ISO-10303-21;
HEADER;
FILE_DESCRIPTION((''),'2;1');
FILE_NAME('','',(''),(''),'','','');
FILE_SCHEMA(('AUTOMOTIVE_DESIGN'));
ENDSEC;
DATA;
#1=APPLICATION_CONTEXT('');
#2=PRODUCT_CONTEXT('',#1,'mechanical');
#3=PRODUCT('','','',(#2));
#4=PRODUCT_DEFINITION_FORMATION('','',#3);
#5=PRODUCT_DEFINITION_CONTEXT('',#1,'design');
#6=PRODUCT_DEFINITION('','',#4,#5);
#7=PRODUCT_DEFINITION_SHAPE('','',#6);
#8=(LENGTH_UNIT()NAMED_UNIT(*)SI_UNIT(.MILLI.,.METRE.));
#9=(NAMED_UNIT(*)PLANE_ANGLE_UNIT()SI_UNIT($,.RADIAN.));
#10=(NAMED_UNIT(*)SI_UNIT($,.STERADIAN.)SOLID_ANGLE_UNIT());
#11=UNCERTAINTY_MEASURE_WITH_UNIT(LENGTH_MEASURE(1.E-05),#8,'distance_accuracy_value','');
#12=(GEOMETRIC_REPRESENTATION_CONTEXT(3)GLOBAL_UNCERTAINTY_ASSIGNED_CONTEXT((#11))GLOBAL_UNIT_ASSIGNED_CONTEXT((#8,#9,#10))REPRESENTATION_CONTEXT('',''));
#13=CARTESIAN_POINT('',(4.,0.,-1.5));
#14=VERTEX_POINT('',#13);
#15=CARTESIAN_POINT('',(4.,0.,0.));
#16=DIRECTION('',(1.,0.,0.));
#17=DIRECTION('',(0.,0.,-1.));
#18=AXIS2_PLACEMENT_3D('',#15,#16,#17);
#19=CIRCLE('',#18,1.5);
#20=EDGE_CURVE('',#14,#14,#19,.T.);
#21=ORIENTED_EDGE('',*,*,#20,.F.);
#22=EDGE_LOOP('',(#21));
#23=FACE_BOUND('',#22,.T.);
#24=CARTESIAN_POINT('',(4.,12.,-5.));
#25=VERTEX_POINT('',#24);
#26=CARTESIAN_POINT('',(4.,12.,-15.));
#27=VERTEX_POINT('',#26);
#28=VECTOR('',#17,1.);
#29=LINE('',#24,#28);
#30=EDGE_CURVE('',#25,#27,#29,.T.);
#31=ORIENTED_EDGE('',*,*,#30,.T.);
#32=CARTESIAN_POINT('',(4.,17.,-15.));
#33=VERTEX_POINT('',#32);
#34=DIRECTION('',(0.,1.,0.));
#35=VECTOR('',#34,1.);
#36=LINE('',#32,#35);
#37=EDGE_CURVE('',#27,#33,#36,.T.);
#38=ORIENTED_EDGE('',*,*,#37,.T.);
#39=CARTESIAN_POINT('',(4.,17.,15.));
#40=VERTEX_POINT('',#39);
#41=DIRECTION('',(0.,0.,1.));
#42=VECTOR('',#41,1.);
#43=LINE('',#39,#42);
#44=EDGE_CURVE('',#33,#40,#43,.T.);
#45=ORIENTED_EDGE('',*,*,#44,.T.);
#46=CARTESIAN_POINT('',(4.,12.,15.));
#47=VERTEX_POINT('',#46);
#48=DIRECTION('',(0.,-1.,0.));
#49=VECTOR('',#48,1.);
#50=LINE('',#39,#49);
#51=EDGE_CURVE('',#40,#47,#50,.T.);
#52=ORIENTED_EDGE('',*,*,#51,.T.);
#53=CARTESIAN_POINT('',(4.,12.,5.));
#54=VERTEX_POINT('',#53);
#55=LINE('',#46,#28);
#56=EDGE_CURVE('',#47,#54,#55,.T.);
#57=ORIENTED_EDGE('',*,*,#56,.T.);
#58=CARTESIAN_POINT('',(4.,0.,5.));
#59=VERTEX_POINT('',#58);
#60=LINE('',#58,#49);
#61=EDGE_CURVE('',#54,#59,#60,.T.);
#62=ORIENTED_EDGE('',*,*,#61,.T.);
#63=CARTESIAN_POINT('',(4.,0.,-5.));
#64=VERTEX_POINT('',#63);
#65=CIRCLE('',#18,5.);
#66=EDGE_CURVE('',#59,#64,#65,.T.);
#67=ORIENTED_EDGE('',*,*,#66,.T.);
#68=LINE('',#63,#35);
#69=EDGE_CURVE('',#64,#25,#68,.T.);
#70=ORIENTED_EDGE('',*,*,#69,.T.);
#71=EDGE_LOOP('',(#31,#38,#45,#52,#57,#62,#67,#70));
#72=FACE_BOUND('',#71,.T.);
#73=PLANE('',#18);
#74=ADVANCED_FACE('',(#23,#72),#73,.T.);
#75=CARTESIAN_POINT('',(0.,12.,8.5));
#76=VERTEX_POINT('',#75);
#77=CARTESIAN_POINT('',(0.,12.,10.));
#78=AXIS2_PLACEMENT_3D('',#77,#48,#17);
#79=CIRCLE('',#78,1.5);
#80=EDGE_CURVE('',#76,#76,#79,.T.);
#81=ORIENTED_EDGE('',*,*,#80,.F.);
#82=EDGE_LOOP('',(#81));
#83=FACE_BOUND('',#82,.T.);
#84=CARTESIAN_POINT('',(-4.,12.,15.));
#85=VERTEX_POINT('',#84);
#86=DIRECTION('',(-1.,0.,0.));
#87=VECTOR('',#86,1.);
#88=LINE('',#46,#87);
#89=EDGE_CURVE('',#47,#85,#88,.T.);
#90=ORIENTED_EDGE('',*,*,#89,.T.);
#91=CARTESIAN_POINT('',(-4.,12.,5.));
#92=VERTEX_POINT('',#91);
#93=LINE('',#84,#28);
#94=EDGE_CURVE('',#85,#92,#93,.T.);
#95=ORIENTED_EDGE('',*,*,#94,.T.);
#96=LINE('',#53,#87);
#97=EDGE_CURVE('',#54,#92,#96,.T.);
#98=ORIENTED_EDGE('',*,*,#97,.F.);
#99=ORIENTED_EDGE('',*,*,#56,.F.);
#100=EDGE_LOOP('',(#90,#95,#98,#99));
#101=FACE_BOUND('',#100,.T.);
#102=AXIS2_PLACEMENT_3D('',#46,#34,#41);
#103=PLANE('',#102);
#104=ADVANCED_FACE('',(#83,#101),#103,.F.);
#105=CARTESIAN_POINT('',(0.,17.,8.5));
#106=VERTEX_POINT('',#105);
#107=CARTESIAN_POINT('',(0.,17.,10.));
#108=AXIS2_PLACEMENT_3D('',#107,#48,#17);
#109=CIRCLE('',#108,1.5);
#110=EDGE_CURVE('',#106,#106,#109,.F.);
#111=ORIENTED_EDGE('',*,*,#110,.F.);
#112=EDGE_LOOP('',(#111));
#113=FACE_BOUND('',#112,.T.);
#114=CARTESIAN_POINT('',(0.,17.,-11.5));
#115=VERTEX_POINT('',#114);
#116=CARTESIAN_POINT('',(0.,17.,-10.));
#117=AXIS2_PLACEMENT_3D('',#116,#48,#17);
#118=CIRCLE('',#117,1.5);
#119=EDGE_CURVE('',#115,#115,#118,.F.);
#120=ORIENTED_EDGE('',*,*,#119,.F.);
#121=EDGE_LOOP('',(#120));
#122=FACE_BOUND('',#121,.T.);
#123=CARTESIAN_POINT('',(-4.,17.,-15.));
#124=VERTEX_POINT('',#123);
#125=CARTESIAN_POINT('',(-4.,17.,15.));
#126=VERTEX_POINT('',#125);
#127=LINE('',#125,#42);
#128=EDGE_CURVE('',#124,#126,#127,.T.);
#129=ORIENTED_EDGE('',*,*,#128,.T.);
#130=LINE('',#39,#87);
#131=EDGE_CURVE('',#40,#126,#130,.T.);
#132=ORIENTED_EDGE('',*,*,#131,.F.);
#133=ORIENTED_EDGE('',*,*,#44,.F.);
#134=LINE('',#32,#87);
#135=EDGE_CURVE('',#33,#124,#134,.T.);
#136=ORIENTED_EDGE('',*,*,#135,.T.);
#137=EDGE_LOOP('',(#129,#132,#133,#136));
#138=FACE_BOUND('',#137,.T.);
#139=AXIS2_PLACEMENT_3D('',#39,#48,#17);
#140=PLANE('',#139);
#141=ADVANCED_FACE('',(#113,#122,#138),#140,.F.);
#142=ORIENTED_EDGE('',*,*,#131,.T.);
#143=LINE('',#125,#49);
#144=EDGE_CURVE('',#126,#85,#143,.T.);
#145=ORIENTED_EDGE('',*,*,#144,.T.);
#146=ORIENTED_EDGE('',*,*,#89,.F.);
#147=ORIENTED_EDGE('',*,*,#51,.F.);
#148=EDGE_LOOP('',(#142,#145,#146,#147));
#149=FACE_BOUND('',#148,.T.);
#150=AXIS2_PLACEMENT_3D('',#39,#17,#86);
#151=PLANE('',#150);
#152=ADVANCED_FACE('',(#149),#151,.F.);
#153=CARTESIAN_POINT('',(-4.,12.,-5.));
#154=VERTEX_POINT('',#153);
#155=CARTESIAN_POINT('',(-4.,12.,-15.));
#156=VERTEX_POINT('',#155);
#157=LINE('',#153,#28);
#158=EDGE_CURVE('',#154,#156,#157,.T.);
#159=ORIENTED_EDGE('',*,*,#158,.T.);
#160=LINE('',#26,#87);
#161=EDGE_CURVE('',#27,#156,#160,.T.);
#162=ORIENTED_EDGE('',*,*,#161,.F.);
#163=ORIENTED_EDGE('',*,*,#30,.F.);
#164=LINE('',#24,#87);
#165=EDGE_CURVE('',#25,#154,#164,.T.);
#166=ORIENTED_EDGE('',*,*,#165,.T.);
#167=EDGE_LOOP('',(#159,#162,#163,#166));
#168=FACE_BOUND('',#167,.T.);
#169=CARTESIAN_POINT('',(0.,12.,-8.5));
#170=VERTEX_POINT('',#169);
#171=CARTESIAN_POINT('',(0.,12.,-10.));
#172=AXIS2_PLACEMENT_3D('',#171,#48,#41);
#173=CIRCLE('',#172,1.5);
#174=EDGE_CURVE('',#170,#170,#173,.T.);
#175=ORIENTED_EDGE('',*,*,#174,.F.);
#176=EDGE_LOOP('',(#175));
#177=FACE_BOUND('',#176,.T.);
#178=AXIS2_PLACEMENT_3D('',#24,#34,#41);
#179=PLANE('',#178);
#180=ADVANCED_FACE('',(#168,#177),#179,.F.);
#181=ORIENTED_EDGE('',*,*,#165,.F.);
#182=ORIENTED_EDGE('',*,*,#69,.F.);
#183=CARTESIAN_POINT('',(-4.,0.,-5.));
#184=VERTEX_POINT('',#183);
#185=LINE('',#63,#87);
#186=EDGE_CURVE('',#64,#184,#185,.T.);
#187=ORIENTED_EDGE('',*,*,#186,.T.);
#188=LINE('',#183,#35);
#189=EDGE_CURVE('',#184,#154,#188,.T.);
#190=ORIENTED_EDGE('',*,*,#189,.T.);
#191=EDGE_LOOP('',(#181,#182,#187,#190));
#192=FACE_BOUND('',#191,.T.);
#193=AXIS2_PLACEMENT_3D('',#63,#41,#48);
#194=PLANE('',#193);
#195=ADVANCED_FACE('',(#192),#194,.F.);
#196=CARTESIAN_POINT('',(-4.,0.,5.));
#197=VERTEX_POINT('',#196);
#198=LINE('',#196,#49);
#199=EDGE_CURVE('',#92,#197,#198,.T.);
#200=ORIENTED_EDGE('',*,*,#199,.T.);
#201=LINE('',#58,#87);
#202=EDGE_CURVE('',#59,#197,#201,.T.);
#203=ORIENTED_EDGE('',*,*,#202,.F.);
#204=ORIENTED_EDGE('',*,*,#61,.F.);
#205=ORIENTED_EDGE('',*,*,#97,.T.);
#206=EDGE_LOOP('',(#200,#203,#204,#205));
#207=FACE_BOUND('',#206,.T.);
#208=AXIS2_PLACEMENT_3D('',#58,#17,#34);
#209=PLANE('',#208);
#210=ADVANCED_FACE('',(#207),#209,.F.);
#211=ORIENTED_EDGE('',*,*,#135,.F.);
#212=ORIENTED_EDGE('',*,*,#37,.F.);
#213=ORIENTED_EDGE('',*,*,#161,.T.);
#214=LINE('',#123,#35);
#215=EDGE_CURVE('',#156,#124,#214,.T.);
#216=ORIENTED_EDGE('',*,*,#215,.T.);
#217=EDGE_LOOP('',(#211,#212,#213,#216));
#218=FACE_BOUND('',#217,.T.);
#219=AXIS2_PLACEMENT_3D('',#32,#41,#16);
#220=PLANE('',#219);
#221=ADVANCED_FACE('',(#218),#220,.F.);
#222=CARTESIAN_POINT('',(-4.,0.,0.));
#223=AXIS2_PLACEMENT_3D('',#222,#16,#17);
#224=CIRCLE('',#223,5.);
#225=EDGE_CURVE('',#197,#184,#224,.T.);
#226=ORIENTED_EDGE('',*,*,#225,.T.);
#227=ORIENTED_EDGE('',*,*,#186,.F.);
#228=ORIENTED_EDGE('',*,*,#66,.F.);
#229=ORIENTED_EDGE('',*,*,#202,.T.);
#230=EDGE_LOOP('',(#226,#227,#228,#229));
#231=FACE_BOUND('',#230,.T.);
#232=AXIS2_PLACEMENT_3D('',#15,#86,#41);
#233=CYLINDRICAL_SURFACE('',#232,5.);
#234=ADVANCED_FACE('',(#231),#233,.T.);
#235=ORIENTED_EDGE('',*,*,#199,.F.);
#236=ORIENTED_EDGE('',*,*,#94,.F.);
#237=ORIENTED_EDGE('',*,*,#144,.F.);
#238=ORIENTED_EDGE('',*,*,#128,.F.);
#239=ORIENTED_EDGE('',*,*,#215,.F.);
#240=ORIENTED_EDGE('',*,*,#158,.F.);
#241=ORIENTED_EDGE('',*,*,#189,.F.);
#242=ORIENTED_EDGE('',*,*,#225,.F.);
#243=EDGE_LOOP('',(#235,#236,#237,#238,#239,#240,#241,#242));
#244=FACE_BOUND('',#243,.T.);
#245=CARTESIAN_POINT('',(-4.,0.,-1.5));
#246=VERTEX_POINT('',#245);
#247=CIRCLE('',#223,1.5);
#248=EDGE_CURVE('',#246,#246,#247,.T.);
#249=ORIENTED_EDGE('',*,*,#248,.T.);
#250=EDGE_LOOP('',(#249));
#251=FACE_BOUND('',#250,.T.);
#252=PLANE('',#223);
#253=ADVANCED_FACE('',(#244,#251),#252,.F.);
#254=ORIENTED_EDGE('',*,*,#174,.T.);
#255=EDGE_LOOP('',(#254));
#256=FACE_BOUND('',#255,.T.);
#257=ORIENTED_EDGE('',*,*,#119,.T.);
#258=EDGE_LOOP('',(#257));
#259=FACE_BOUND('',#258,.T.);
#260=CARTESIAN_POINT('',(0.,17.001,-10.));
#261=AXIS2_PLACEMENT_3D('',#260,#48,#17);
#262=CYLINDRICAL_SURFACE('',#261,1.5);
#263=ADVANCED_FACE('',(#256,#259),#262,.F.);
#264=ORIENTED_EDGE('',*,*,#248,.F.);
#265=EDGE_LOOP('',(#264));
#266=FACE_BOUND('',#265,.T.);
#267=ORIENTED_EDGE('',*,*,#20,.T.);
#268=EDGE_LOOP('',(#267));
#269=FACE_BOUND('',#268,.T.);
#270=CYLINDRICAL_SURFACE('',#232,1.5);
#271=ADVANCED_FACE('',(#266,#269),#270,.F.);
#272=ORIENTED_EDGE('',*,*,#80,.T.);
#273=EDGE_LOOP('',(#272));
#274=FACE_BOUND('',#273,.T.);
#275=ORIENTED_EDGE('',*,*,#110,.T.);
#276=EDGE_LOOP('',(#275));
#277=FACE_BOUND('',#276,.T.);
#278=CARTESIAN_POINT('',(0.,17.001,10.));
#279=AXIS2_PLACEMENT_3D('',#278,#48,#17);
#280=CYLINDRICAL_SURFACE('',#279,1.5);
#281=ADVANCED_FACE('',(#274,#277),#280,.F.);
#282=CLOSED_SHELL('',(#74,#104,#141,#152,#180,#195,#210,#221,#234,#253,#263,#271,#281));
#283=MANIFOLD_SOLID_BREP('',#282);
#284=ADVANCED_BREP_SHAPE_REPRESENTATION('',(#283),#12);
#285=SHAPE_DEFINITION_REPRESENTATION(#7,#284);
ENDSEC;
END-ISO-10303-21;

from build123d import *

# Parameters (mm, degrees)
SKETCH_1_R          = 1.5
EXTRUDE_1_DEPTH     = 4
CUT_EXTRUDE_1_REACH = 25.022
SKETCH_2_R          = 1.5


with BuildPart() as part:
    # 草图1 → 凸台-拉伸1 (new, symmetric)
    with BuildSketch(Plane(origin=(0, 0, 0), x_dir=(0, 0, -1), z_dir=(1, 0, 0))):
        with BuildLine():
            Line((5, 12), (15, 12))
            Line((15, 12), (15, 17))
            Line((15, 17), (-15, 17))
            Line((-15, 17), (-15, 12))
            Line((-15, 12), (-5, 12))
            Line((-5, 12), (-5, 0))
            ThreePointArc((-5, 0), (0, -5), (5, 0))
            Line((5, 0), (5, 12))
        make_face()
        Circle(SKETCH_1_R, mode=Mode.SUBTRACT)
    extrude(amount=EXTRUDE_1_DEPTH, both=True)

    # 草图2 → 切除-拉伸1 (cut, up to next)
    with BuildSketch(Plane.XZ.offset(-12), mode=Mode.PRIVATE) as cut_extrude_1_sk1:
        with Locations(Location((0, 10, 0), (0, 0, 270))):
            Circle(SKETCH_2_R)
    cut_extrude_1_tool1 = extrude(cut_extrude_1_sk1.sketch, amount=-CUT_EXTRUDE_1_REACH, mode=Mode.PRIVATE) & part.part
    # 草图2 → 切除-拉伸1 (cut, up to next)
    with BuildSketch(Plane.XZ.offset(-12), mode=Mode.PRIVATE) as cut_extrude_1_sk2:
        with Locations(Location((0, -10, 0), (0, 0, 270))):
            Circle(SKETCH_2_R)
    cut_extrude_1_tool2 = extrude(cut_extrude_1_sk2.sketch, amount=-CUT_EXTRUDE_1_REACH, mode=Mode.PRIVATE) & part.part
    add(cut_extrude_1_tool1.solids().sort_by_distance((0, 12, 10))[0], mode=Mode.SUBTRACT)
    add(cut_extrude_1_tool2.solids().sort_by_distance((0, 12, -10))[0], mode=Mode.SUBTRACT)


solid = part.part
